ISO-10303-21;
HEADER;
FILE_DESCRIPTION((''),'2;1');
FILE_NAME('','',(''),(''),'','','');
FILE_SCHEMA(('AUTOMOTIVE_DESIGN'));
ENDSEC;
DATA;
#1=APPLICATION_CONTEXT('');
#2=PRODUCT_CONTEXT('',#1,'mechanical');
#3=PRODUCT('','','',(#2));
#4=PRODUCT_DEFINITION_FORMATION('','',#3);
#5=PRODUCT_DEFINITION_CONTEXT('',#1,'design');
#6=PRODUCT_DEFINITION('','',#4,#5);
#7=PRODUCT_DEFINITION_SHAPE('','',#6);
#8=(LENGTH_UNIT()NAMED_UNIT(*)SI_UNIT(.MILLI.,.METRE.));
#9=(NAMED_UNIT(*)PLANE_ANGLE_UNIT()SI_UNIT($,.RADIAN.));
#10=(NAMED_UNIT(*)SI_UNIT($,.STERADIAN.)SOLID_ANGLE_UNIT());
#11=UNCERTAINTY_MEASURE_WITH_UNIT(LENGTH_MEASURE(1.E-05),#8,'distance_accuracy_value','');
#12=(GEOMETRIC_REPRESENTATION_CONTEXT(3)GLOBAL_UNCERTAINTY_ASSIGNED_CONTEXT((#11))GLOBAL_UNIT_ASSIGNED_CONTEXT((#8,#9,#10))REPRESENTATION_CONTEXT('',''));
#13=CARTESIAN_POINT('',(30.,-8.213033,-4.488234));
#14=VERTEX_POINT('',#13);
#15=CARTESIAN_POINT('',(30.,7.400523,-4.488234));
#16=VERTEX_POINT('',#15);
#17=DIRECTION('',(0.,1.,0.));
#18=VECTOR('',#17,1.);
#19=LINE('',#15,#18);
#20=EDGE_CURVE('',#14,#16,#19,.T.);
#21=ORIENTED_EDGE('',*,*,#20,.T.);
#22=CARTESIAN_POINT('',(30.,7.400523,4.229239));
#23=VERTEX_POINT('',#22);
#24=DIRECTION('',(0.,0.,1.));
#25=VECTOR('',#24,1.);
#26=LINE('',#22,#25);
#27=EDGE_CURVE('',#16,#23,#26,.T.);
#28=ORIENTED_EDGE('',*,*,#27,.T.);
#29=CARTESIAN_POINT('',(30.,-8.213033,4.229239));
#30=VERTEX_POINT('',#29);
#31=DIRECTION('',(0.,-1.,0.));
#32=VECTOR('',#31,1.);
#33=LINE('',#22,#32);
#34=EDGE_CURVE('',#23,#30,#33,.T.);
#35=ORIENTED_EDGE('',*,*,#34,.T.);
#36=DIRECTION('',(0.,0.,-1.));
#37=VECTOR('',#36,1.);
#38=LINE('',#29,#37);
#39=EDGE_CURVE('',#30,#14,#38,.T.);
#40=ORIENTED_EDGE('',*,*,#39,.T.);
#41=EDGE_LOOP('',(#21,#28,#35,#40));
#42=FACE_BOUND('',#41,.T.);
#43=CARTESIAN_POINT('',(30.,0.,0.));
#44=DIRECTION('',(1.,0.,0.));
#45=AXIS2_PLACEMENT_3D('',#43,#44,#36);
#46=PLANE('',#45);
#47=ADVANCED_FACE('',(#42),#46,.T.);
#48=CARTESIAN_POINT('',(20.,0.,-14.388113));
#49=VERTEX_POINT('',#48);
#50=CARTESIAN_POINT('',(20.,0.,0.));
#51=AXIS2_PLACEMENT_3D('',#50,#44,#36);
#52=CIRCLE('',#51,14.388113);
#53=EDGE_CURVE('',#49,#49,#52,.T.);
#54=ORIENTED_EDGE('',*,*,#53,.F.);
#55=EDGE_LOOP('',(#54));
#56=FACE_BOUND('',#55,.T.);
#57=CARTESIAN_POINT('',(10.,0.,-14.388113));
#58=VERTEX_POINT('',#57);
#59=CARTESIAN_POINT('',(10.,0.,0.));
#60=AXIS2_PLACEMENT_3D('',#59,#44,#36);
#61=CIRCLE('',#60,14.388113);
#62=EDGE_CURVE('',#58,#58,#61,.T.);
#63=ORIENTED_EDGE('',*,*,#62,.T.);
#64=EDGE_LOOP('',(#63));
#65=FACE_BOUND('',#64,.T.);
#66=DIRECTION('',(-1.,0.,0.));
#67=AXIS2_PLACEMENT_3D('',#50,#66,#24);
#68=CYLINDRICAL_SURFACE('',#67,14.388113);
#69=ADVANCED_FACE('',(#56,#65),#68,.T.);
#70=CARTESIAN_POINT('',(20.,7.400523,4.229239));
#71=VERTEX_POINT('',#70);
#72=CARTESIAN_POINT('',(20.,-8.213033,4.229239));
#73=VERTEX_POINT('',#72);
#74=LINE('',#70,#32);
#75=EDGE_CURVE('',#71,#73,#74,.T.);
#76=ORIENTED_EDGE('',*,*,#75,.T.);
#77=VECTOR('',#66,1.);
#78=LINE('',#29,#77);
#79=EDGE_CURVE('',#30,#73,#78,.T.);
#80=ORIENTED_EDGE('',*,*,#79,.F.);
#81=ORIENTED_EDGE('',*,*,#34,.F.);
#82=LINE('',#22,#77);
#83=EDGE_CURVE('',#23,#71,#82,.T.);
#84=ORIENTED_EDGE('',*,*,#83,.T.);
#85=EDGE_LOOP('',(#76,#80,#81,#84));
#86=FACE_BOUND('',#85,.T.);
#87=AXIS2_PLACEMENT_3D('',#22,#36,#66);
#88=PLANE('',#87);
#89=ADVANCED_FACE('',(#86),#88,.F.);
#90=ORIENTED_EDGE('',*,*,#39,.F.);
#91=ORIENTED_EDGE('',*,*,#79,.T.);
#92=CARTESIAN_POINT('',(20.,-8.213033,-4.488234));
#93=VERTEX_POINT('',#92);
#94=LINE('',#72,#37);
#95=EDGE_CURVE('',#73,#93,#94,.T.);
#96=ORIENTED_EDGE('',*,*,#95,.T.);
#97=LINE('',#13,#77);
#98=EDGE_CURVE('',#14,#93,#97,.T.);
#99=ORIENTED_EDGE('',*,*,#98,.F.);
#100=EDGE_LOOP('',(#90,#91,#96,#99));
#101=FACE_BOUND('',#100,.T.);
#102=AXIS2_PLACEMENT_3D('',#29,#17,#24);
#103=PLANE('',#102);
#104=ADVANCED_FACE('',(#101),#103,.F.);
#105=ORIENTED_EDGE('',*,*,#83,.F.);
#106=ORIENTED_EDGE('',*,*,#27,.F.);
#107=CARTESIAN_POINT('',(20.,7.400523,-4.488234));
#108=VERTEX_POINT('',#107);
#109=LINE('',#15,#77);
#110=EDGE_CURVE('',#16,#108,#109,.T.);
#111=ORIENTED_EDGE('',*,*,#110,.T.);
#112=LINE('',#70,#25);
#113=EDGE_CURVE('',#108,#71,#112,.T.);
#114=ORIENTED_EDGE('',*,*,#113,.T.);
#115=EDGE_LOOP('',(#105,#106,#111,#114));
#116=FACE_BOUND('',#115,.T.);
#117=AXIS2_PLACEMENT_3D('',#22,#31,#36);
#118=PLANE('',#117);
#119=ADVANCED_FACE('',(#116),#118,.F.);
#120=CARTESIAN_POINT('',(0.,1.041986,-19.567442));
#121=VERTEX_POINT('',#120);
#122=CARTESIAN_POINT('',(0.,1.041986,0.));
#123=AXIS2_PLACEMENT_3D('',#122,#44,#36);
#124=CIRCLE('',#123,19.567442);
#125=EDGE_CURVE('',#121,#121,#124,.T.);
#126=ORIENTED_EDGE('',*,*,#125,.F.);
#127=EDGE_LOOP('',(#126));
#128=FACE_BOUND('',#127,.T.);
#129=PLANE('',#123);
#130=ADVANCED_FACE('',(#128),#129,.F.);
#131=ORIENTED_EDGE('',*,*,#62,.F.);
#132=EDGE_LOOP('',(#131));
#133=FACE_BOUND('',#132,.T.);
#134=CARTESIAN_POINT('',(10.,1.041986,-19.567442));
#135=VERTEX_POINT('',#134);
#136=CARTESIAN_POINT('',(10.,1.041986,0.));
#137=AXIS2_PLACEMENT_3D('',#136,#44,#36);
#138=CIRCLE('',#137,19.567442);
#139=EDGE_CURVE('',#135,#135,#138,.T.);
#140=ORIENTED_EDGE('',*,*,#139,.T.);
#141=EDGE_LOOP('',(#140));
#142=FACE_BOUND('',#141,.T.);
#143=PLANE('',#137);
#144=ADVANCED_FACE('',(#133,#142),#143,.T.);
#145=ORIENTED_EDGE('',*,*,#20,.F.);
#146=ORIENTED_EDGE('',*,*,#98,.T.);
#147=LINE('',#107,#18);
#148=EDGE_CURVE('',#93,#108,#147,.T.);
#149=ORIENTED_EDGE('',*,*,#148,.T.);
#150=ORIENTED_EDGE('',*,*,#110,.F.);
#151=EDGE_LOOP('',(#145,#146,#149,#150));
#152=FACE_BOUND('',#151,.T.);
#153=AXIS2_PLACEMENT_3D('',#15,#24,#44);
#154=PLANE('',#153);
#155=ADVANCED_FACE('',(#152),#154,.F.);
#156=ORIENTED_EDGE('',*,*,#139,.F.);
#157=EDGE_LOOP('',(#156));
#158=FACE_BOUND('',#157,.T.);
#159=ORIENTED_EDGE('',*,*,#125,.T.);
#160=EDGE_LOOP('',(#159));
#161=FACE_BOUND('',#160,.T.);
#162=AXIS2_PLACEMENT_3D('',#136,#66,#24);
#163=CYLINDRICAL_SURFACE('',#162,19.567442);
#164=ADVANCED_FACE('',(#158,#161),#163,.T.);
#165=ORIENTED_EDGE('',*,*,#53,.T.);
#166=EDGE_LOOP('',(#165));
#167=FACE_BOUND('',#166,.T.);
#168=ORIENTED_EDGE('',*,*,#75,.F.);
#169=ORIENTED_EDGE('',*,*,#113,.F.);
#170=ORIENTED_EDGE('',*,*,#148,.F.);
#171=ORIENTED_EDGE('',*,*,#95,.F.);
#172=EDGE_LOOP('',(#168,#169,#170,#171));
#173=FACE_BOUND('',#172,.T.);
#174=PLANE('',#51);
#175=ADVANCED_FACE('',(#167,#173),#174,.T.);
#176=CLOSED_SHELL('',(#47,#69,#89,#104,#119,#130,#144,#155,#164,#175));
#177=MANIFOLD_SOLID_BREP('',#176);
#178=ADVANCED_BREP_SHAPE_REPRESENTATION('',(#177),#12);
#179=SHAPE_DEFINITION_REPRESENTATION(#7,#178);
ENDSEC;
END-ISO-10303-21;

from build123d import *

# Parameters (mm, degrees)
SKETCH1_R           = 19.567441598
BOSS_EXTRUDE1_DEPTH = 10
SKETCH2_R           = 14.388112676
BOSS_EXTRUDE2_DEPTH = 10
SKETCH3_W           = 8.717473042
SKETCH3_H           = 15.61355637
BOSS_EXTRUDE3_DEPTH = 10


with BuildPart() as part:
    # Sketch1 → Boss-Extrude1 (new body)
    with BuildSketch(Plane(origin=(0, 0, 0), x_dir=(0, 0, -1), z_dir=(1, 0, 0))):
        with Locations((0, 1.041985539)):
            Circle(SKETCH1_R)
    extrude(amount=BOSS_EXTRUDE1_DEPTH)

    # Sketch2 → Boss-Extrude2 (add)
    with BuildSketch(Plane(origin=(10, 0, 0), x_dir=(0, 0, -1), z_dir=(1, 0, 0))):
        Circle(SKETCH2_R)
    extrude(amount=BOSS_EXTRUDE2_DEPTH)

    # Sketch3 → Boss-Extrude3 (add)
    with BuildSketch(Plane(origin=(20, 0, 0), x_dir=(0, 0, -1), z_dir=(1, 0, 0))):
        with Locations((0.129497686, -0.406254906)):
            Rectangle(SKETCH3_W, SKETCH3_H)
    extrude(amount=BOSS_EXTRUDE3_DEPTH)


solid = part.part
